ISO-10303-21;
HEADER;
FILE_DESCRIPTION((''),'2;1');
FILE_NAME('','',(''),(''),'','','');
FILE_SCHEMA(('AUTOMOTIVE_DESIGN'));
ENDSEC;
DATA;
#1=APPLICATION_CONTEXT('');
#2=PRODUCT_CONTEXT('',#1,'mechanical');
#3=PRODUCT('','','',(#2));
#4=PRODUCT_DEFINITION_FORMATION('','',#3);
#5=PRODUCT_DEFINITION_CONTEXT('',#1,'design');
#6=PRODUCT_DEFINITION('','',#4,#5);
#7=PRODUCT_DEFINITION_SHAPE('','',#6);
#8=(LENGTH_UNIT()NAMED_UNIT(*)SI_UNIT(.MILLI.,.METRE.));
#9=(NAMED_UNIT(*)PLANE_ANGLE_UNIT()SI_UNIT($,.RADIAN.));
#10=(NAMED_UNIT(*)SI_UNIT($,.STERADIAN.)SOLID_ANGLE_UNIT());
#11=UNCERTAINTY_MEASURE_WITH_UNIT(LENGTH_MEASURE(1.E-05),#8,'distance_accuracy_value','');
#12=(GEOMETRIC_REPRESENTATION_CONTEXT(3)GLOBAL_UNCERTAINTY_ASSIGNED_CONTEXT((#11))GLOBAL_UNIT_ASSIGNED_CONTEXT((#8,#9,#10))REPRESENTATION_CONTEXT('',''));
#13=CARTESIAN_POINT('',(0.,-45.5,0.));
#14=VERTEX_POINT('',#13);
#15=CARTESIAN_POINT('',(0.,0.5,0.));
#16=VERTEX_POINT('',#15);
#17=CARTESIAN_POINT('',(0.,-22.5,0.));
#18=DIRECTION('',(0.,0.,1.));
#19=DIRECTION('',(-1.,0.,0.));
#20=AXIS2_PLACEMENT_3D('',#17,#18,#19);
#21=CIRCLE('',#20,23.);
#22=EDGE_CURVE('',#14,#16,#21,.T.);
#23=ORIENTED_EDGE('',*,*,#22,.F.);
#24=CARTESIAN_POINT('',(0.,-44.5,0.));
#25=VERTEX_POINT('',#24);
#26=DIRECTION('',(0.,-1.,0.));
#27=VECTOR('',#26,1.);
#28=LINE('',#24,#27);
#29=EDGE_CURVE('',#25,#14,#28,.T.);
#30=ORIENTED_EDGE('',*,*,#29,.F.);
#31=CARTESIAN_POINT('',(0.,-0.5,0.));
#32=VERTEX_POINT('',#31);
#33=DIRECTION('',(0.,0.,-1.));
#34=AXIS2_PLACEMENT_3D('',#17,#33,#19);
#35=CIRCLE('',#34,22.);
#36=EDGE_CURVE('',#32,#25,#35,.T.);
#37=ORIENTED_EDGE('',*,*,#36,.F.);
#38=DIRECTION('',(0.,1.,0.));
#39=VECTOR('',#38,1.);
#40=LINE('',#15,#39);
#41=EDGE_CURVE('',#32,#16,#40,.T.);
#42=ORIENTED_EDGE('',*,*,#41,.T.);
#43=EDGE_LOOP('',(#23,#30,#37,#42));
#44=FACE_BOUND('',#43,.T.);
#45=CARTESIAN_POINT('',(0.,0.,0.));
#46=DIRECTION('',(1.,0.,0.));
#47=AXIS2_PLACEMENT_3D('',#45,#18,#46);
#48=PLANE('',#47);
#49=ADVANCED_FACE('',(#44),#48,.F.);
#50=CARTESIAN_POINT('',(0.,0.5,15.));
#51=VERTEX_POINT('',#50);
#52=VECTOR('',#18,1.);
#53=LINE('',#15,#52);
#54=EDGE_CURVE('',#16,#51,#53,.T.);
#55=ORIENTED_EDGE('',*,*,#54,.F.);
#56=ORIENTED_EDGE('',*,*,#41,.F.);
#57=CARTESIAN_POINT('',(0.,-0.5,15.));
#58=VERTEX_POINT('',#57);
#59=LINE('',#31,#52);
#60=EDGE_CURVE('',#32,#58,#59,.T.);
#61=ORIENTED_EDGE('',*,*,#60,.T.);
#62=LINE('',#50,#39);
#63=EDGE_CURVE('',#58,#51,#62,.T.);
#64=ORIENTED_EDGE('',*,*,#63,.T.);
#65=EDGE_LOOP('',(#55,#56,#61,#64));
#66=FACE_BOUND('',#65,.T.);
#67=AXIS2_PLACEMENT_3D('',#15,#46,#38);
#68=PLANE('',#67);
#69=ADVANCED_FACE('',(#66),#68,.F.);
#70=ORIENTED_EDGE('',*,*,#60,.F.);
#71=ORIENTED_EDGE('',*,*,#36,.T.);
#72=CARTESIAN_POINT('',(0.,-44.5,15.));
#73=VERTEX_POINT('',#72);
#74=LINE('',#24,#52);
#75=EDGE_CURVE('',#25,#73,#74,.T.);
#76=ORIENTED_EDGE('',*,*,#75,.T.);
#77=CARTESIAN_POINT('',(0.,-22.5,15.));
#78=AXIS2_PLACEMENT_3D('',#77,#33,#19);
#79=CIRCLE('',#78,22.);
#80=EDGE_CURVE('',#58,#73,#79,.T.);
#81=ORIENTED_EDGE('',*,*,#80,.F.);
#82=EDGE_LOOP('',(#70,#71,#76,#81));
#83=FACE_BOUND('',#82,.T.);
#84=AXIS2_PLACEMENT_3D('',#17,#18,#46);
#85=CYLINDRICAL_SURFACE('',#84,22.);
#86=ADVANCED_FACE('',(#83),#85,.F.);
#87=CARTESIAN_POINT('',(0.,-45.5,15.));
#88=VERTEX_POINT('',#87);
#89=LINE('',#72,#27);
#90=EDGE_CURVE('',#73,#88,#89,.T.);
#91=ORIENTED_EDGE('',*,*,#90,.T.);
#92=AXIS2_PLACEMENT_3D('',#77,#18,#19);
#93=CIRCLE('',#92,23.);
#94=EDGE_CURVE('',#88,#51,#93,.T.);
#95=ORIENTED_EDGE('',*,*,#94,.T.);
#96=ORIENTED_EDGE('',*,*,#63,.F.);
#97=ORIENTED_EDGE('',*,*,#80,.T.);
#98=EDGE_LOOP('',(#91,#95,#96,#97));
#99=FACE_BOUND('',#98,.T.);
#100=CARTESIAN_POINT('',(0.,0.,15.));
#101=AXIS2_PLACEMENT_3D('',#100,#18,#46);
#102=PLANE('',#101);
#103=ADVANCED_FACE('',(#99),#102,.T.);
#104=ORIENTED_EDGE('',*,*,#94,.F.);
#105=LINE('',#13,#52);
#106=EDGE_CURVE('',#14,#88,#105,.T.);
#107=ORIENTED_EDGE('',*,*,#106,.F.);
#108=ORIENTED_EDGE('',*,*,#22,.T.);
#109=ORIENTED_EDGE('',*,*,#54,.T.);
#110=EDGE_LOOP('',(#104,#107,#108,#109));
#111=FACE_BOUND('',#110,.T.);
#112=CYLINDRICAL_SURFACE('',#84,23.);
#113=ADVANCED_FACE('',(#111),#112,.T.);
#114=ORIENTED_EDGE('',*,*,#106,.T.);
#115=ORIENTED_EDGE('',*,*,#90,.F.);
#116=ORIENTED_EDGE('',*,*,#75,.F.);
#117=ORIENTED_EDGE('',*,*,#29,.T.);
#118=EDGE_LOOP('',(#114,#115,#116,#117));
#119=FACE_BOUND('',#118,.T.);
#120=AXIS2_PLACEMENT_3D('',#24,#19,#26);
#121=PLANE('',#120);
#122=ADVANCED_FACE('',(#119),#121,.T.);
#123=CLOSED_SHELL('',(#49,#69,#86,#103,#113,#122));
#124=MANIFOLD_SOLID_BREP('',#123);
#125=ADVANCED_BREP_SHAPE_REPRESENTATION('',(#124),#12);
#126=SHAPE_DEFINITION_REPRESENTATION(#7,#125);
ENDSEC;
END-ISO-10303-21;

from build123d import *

# Parameters (mm, degrees)
SKETCH_1_R          = 1
EXTRUDE_1_DEPTH     = 15
EXTRUDE_2_DEPTH     = 15
CUT_EXTRUDE_1_DEPTH = 16


with BuildPart() as part:
    # ｽｹｯﾁ1 → ﾎﾞｽ - 押し出し1 (new body)
    with BuildSketch(Plane.XY):
        Circle(SKETCH_1_R)
    extrude(amount=EXTRUDE_1_DEPTH)

    # ｽｹｯﾁ2 → ﾎﾞｽ - 押し出し2 (add)
    with BuildSketch(Plane.XY.offset(15)):
        with BuildLine():
            Line((0, -44.5), (0, -45.5))
            ThreePointArc((0, -45.5), (23, -22.5), (0, 0.5))
            Line((0, 0.5), (0, -0.5))
            ThreePointArc((0, -0.5), (22, -22.5), (0, -44.5))
        make_face()
    extrude(amount=-EXTRUDE_2_DEPTH)

    # ｽｹｯﾁ6 → ｶｯﾄ - 押し出し1 (cut, through all)
    with BuildSketch(Plane.XY.offset(15)):
        with BuildLine():
            Line((0, 0.5), (0, -0.5))
            ThreePointArc((0, -0.5), (0.428174419, -0.504167061), (0.856186636, -0.516666667))
            Line((0.856186636, -0.516666667), (0.856186636, -1.684394884))
            Line((0.856186636, -1.684394884), (-3.351649942, -1.684394884))
            Line((-3.351649942, -1.684394884), (-3.351649942, 1.730475854))
            Line((-3.351649942, 1.730475854), (0.875436399, 1.730475854))
            Line((0.875436399, 1.730475854), (0.875436399, 0.483333333))
            ThreePointArc((0.875436399, 0.483333333), (0.437797518, 0.495832956), (0, 0.5))
        make_face()
    extrude(amount=-CUT_EXTRUDE_1_DEPTH, mode=Mode.SUBTRACT)


solid = part.part
